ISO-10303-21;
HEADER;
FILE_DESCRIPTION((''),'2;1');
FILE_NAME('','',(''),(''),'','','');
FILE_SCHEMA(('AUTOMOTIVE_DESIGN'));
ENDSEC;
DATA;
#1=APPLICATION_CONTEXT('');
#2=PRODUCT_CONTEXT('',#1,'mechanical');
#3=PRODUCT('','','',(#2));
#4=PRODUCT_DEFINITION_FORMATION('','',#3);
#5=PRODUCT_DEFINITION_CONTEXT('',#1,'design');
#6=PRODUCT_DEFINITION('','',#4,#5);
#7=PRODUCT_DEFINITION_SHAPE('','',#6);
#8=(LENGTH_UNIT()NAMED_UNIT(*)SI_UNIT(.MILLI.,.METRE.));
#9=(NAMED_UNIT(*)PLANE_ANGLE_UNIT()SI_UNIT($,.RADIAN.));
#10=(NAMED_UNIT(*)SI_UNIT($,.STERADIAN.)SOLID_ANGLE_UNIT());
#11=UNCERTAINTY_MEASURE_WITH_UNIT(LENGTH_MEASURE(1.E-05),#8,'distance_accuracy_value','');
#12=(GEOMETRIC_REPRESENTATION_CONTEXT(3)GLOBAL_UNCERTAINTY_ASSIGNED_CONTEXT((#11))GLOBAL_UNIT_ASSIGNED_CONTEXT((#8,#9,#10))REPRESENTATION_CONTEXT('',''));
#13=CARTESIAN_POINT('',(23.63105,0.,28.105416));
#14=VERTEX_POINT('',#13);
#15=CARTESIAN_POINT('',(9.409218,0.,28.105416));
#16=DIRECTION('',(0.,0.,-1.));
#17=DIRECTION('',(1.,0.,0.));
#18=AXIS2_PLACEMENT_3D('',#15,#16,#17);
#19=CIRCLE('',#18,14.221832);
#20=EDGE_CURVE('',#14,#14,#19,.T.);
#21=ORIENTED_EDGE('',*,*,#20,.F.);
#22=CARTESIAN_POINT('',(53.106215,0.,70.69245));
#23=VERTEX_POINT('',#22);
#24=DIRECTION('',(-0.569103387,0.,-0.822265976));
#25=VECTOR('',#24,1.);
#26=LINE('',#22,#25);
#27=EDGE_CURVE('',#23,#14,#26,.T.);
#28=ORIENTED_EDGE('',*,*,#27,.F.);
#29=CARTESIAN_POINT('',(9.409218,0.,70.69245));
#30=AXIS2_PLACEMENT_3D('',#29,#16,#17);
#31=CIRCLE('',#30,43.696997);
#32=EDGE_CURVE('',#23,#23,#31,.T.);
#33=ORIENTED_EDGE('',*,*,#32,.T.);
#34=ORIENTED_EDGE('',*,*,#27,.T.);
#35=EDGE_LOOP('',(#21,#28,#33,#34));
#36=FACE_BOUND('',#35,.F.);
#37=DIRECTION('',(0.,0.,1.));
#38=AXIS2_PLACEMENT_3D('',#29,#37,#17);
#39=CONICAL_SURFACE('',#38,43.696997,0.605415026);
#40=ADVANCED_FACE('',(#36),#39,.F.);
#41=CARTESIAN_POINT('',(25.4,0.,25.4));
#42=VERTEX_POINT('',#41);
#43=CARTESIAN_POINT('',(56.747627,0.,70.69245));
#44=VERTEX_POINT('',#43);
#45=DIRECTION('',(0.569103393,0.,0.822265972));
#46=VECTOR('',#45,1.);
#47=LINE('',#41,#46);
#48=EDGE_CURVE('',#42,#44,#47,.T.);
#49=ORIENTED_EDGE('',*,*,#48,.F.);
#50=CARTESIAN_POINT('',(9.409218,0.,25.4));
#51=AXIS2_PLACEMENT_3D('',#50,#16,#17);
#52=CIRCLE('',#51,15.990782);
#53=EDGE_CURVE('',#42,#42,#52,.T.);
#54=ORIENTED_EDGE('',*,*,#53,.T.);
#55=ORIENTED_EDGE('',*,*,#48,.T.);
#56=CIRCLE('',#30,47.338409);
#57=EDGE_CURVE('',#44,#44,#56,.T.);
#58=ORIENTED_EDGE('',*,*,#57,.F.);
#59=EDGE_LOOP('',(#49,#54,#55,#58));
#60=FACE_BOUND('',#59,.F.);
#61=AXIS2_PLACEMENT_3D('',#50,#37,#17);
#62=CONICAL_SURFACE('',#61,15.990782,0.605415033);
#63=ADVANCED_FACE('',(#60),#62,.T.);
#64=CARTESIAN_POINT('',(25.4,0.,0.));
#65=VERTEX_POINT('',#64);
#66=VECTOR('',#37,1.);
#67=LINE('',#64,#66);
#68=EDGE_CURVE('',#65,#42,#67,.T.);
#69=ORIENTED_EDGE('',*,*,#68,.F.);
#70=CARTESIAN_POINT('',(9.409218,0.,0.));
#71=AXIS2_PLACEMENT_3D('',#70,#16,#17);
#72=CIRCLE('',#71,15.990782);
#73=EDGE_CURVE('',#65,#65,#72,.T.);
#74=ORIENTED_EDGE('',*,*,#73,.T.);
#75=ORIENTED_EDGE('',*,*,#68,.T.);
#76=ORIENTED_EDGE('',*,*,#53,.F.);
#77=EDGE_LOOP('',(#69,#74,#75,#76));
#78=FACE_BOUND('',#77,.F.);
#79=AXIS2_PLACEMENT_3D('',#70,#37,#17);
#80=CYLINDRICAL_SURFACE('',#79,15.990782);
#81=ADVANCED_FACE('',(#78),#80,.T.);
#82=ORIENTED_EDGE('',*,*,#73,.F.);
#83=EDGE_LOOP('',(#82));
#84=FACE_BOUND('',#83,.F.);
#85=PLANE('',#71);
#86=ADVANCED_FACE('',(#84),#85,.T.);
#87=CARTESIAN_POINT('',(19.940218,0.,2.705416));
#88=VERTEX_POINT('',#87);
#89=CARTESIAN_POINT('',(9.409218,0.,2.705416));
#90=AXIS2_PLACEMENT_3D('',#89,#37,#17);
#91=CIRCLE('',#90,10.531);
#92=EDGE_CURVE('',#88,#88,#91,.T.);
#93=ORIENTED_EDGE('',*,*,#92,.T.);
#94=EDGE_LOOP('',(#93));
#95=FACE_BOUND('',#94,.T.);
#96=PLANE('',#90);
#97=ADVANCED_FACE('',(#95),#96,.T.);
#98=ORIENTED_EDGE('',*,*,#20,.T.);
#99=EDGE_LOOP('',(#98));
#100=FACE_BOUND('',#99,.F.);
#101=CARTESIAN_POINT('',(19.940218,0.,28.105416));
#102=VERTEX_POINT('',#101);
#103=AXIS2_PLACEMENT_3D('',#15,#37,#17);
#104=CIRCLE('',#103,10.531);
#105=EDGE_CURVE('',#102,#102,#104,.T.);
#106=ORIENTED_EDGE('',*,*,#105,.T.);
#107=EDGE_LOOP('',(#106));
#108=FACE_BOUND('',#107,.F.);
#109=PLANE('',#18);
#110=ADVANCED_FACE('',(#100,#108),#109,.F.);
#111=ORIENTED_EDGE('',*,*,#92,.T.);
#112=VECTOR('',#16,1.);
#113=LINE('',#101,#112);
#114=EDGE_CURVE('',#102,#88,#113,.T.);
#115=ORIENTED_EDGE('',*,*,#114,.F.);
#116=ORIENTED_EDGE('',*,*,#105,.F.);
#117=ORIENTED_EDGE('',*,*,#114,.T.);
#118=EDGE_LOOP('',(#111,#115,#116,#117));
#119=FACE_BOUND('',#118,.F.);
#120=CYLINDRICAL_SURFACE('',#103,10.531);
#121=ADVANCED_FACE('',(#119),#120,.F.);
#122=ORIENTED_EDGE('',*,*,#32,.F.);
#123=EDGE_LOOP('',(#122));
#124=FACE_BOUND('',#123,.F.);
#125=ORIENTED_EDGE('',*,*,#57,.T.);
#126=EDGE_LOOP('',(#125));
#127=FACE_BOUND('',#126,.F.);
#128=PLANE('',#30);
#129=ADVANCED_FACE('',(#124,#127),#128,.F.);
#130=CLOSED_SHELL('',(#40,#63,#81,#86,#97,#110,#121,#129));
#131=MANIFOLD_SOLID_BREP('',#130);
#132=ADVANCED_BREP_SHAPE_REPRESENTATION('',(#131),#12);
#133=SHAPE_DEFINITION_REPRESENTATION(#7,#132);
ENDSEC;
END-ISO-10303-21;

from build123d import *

# Parameters (mm, degrees)
F2_R     = 10.531
F3_DEPTH = 25.4


with BuildPart() as f1:
    # F0 (on Front) → F1 (revolve)
    with BuildSketch(Plane.XZ):
        Polygon((9.409218, 0), (25.4, 0), (25.4, 25.4), (56.747627, 70.69245), (53.106215, 70.69245), (23.63105, 28.105416), (9.409218, 28.105416), align=None)
    revolve(axis=Axis((9.409218, 0, 14.052708), (0, 0, -1)))

    # F2 (on face) → F3 (cut)
    with BuildSketch(Plane.XY.offset(28.105416)):
        with Locations((9.409218, 0)):
            Circle(F2_R)
    extrude(amount=-F3_DEPTH, mode=Mode.SUBTRACT)


solid = f1.part
